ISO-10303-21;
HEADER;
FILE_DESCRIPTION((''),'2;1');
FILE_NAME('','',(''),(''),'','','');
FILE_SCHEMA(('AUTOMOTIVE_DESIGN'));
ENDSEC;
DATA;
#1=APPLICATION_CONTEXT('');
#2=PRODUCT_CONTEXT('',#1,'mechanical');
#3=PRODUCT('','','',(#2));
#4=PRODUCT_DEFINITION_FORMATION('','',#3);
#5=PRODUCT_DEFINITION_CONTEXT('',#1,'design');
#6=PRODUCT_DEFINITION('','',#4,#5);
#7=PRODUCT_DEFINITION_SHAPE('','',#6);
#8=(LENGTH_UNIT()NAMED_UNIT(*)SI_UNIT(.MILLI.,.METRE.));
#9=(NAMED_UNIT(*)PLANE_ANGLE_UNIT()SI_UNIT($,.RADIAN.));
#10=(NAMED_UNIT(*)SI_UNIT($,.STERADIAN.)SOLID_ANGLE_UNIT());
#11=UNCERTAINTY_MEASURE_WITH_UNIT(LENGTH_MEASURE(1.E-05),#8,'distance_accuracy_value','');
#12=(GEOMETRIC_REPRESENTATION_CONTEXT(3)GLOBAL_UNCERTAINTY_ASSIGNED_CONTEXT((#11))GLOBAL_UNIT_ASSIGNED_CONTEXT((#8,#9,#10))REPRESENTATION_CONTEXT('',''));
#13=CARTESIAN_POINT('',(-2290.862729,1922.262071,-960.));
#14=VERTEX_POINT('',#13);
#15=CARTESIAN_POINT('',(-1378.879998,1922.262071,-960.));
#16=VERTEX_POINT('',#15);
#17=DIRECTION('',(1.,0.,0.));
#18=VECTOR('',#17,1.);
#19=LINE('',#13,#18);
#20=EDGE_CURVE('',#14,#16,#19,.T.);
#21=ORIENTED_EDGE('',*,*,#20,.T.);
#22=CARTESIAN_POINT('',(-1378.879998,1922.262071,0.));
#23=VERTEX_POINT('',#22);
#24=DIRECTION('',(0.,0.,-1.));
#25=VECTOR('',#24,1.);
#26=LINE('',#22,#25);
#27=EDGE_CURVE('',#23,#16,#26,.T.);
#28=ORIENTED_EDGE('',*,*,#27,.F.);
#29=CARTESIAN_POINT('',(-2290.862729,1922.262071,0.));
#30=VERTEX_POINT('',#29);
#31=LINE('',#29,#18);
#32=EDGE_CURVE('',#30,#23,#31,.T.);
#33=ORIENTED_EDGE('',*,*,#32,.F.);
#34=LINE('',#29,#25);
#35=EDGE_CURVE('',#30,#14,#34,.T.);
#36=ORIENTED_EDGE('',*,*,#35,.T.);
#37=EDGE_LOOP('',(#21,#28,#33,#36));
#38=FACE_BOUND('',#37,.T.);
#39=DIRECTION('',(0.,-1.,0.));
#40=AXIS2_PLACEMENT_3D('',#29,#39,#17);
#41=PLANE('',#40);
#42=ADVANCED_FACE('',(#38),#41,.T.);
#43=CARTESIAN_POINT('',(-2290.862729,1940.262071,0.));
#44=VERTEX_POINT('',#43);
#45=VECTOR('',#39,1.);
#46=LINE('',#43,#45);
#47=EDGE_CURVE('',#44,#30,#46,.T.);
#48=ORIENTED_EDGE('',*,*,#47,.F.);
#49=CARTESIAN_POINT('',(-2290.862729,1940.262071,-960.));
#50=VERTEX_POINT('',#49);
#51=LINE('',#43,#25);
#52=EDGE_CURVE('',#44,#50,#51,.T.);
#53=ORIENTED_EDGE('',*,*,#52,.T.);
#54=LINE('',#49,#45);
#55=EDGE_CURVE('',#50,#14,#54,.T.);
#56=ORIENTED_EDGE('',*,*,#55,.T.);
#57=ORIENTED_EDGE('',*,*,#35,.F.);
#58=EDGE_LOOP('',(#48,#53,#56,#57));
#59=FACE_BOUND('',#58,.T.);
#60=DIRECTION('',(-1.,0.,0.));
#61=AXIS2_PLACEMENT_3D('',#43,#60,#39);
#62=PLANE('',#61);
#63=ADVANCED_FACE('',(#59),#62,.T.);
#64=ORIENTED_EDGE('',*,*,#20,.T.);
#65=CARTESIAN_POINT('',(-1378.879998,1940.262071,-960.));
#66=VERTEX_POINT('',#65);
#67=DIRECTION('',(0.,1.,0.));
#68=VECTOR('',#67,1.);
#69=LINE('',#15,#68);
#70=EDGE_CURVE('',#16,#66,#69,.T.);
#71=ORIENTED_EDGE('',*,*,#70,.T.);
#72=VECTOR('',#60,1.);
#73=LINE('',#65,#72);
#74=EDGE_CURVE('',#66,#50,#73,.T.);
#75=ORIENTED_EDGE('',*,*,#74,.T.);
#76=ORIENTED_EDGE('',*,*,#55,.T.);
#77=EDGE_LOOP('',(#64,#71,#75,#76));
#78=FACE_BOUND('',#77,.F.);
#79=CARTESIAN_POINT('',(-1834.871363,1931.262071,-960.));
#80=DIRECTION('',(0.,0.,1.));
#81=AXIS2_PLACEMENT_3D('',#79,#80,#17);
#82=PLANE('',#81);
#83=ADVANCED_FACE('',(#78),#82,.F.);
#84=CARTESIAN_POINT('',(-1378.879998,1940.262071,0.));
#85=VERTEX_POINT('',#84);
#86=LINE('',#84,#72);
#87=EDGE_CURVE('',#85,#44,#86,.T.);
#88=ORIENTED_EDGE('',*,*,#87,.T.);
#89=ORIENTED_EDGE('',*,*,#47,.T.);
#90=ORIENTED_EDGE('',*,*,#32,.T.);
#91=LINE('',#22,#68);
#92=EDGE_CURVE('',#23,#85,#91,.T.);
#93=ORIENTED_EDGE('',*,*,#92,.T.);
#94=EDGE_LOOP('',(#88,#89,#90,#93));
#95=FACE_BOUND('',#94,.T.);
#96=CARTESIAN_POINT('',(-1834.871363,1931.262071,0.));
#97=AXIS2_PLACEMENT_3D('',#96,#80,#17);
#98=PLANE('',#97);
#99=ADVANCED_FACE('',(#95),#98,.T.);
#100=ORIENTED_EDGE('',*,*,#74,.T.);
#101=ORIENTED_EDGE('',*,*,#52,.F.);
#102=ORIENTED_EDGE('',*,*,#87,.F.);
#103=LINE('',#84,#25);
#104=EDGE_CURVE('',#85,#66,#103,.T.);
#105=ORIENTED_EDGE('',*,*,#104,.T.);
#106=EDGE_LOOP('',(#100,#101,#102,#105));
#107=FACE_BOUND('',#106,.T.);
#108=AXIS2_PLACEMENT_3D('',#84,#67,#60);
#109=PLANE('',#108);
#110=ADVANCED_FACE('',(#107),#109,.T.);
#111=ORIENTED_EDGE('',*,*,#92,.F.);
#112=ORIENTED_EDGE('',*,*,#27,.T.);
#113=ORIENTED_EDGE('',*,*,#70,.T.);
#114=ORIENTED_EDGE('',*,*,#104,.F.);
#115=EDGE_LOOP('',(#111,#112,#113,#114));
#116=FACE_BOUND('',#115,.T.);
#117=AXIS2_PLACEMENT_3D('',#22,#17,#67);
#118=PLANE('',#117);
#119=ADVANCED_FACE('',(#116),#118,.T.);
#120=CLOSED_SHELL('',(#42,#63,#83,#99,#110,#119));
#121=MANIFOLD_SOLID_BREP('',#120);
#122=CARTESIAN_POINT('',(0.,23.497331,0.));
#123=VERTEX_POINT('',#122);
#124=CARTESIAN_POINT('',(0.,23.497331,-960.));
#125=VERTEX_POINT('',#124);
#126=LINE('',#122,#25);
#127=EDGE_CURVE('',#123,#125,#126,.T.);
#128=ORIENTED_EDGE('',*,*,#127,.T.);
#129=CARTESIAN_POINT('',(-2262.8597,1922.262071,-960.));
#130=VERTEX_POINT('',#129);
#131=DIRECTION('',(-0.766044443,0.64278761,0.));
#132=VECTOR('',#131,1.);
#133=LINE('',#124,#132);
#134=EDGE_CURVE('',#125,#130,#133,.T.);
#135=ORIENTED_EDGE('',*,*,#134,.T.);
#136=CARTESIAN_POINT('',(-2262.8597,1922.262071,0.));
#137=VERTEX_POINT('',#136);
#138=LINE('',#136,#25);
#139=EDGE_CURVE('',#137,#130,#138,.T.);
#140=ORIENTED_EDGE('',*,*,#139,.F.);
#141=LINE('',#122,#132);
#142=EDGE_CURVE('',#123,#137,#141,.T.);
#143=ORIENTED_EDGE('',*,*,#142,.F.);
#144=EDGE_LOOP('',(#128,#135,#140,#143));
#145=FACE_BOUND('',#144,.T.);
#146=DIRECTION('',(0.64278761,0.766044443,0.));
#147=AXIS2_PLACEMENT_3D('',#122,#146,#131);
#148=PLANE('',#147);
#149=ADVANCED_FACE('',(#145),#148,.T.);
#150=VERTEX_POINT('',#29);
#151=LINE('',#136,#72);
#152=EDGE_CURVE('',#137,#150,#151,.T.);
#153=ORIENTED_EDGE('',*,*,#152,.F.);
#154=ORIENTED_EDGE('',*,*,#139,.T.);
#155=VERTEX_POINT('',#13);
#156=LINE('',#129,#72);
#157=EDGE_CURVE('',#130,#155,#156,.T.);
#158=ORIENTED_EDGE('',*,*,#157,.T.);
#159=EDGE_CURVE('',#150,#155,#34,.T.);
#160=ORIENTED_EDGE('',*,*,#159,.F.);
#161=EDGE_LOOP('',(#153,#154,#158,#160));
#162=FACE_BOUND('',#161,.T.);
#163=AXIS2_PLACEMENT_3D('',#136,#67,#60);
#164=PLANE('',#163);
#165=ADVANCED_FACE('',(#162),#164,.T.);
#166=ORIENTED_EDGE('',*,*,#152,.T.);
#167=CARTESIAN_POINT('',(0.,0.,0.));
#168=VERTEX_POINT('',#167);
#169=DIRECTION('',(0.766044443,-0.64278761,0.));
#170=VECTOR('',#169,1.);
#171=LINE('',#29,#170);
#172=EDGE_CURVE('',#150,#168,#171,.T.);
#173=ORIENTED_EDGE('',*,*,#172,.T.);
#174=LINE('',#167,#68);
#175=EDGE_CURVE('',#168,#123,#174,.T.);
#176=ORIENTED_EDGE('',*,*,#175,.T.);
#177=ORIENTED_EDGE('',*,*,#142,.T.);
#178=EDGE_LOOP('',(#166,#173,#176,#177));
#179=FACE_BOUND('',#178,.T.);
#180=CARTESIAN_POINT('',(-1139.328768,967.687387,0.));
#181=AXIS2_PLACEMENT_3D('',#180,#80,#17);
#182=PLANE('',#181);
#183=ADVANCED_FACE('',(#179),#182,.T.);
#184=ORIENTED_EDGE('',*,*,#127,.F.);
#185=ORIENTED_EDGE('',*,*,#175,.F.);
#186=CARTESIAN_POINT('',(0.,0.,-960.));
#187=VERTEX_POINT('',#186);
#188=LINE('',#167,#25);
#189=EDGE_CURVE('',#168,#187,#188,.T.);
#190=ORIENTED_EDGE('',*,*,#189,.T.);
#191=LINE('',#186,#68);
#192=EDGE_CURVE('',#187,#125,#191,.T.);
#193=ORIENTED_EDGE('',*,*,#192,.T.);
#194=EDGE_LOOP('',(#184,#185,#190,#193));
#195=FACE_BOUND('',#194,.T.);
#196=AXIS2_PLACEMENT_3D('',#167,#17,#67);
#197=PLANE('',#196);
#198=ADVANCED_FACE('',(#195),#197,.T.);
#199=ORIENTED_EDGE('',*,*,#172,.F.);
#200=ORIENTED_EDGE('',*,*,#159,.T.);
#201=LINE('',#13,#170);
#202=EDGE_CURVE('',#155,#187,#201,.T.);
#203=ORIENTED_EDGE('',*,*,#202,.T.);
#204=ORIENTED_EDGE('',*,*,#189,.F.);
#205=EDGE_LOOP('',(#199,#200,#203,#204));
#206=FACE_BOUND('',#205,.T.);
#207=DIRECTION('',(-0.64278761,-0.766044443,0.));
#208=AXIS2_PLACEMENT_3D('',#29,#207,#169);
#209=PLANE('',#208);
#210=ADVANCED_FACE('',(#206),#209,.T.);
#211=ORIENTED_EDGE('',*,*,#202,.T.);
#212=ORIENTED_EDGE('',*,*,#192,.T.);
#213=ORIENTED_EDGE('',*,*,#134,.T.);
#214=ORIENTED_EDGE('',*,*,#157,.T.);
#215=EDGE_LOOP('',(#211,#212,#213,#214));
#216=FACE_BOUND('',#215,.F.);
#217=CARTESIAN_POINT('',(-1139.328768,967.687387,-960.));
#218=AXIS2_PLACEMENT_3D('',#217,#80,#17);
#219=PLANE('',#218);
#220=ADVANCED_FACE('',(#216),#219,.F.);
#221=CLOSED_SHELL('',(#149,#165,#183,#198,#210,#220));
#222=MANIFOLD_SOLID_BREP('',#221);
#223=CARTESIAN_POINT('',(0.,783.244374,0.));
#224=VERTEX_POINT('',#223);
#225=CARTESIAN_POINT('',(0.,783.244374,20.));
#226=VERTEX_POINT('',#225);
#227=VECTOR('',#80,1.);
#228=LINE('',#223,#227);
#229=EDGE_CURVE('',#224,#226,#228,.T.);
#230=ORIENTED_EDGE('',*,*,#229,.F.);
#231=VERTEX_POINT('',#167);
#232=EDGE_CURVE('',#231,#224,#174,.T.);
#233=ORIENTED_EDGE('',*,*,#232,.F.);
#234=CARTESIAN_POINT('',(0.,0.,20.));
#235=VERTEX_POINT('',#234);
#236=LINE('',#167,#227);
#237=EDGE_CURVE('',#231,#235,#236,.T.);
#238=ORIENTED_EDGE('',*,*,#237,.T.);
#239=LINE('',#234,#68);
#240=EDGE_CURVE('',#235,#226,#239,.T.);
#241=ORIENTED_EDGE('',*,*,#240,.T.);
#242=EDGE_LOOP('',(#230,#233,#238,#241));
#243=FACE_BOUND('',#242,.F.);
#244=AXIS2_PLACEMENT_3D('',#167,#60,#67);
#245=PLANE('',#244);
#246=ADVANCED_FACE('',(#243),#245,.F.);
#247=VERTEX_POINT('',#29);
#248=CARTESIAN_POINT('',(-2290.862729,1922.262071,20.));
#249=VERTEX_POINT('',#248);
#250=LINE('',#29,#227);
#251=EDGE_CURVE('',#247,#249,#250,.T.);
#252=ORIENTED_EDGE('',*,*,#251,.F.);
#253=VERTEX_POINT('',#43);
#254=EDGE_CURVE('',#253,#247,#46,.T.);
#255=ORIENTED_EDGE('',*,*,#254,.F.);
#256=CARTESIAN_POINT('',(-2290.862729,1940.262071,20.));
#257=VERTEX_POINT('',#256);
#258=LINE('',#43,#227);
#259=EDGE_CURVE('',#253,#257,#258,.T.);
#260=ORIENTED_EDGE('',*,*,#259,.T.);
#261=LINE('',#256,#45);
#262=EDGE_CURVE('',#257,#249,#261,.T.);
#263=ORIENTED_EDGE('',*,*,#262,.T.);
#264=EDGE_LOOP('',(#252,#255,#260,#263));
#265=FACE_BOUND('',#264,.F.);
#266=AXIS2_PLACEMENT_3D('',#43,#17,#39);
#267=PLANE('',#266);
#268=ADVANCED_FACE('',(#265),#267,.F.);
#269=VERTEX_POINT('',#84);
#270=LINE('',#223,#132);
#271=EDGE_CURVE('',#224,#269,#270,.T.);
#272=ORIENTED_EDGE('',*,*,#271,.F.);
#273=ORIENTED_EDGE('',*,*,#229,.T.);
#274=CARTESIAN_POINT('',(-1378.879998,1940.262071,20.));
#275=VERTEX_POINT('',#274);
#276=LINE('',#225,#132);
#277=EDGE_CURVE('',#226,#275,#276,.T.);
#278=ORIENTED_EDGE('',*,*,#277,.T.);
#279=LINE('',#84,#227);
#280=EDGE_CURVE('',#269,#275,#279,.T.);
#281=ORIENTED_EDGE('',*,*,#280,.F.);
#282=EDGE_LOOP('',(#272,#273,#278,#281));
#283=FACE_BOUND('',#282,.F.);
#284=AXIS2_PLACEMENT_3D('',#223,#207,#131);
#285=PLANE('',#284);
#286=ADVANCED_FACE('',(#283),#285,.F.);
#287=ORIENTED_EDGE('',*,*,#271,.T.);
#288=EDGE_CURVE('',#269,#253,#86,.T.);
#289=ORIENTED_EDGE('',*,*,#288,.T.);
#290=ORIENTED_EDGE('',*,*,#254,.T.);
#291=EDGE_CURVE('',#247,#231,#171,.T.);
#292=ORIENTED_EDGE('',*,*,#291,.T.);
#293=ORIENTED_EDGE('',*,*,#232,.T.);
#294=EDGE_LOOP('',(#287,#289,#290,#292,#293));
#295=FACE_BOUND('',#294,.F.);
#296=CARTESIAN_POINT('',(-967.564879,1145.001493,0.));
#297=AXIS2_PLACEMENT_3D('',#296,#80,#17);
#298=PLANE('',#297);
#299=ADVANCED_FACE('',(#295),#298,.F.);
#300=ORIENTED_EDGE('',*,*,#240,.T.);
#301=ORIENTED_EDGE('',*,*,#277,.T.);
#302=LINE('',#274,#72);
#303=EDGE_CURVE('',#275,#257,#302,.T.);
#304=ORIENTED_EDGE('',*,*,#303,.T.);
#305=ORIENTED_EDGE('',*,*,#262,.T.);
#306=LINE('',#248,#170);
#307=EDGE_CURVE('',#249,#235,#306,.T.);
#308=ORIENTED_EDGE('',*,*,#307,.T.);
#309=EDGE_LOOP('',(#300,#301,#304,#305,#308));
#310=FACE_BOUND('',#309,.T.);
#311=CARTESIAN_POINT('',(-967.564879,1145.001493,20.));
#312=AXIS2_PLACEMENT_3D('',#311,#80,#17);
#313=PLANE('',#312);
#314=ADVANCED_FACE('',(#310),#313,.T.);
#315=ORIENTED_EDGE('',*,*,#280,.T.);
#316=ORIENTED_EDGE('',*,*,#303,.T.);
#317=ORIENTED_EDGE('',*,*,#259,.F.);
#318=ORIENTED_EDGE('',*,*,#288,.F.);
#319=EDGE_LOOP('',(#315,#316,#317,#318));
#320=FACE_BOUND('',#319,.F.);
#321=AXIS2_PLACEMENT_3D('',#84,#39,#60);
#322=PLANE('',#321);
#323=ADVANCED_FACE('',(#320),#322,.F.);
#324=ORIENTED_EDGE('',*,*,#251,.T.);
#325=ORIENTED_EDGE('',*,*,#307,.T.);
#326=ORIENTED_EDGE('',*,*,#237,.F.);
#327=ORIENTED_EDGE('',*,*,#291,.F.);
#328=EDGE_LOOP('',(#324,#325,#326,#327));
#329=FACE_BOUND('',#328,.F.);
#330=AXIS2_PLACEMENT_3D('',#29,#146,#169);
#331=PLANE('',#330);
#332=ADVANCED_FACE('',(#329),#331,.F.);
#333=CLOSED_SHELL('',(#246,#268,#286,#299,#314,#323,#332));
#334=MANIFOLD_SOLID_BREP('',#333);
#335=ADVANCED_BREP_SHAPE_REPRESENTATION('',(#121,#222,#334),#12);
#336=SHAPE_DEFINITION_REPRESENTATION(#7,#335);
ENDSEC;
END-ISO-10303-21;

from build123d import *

# Parameters (mm, degrees)
F2_DEPTH = 20
F3_DEPTH = 960
F4_DEPTH = 960


with BuildPart() as f2:
    # F1 (on Top) → F2 (new body)
    with BuildSketch(Plane.XY):
        Polygon((-2262.8597001802, 1922.2620710351), (0, 23.497331208), (0, 783.2443735994), (-1357.4284329475, 1922.2620710351), (-1378.8799976142, 1922.2620710351), align=None)
        Polygon((-2290.8627290637, 1940.2620710351), (-2290.8627290637, 1922.2620710351), (-2262.8597001802, 1922.2620710351), (-1378.8799976142, 1922.2620710351), (-1378.8799976142, 1940.2620710351), align=None)
        Polygon((-2290.8627290637, 1922.2620710351), (0, 0), (0, 23.497331208), (-2262.8597001802, 1922.2620710351), align=None)
        Polygon((-1378.8799976142, 1922.2620710351), (-1357.4284329475, 1922.2620710351), (-1378.8799976142, 1940.2620710351), align=None)
    extrude(amount=F2_DEPTH)


with BuildPart() as f3:
    # F1 (on Top) → F3 (new body)
    with BuildSketch(Plane.XY):
        Polygon((-2290.8627290637, 1940.2620710351), (-2290.8627290637, 1922.2620710351), (-2262.8597001802, 1922.2620710351), (-1378.8799976142, 1922.2620710351), (-1378.8799976142, 1940.2620710351), align=None)
    extrude(amount=-F3_DEPTH)


with BuildPart() as f4:
    # F1 (on Top) → F4 (new body)
    with BuildSketch(Plane.XY):
        Polygon((-2290.8627290637, 1922.2620710351), (0, 0), (0, 23.497331208), (-2262.8597001802, 1922.2620710351), align=None)
    extrude(amount=-F4_DEPTH)


solid = Compound([f2.part, f3.part, f4.part])
